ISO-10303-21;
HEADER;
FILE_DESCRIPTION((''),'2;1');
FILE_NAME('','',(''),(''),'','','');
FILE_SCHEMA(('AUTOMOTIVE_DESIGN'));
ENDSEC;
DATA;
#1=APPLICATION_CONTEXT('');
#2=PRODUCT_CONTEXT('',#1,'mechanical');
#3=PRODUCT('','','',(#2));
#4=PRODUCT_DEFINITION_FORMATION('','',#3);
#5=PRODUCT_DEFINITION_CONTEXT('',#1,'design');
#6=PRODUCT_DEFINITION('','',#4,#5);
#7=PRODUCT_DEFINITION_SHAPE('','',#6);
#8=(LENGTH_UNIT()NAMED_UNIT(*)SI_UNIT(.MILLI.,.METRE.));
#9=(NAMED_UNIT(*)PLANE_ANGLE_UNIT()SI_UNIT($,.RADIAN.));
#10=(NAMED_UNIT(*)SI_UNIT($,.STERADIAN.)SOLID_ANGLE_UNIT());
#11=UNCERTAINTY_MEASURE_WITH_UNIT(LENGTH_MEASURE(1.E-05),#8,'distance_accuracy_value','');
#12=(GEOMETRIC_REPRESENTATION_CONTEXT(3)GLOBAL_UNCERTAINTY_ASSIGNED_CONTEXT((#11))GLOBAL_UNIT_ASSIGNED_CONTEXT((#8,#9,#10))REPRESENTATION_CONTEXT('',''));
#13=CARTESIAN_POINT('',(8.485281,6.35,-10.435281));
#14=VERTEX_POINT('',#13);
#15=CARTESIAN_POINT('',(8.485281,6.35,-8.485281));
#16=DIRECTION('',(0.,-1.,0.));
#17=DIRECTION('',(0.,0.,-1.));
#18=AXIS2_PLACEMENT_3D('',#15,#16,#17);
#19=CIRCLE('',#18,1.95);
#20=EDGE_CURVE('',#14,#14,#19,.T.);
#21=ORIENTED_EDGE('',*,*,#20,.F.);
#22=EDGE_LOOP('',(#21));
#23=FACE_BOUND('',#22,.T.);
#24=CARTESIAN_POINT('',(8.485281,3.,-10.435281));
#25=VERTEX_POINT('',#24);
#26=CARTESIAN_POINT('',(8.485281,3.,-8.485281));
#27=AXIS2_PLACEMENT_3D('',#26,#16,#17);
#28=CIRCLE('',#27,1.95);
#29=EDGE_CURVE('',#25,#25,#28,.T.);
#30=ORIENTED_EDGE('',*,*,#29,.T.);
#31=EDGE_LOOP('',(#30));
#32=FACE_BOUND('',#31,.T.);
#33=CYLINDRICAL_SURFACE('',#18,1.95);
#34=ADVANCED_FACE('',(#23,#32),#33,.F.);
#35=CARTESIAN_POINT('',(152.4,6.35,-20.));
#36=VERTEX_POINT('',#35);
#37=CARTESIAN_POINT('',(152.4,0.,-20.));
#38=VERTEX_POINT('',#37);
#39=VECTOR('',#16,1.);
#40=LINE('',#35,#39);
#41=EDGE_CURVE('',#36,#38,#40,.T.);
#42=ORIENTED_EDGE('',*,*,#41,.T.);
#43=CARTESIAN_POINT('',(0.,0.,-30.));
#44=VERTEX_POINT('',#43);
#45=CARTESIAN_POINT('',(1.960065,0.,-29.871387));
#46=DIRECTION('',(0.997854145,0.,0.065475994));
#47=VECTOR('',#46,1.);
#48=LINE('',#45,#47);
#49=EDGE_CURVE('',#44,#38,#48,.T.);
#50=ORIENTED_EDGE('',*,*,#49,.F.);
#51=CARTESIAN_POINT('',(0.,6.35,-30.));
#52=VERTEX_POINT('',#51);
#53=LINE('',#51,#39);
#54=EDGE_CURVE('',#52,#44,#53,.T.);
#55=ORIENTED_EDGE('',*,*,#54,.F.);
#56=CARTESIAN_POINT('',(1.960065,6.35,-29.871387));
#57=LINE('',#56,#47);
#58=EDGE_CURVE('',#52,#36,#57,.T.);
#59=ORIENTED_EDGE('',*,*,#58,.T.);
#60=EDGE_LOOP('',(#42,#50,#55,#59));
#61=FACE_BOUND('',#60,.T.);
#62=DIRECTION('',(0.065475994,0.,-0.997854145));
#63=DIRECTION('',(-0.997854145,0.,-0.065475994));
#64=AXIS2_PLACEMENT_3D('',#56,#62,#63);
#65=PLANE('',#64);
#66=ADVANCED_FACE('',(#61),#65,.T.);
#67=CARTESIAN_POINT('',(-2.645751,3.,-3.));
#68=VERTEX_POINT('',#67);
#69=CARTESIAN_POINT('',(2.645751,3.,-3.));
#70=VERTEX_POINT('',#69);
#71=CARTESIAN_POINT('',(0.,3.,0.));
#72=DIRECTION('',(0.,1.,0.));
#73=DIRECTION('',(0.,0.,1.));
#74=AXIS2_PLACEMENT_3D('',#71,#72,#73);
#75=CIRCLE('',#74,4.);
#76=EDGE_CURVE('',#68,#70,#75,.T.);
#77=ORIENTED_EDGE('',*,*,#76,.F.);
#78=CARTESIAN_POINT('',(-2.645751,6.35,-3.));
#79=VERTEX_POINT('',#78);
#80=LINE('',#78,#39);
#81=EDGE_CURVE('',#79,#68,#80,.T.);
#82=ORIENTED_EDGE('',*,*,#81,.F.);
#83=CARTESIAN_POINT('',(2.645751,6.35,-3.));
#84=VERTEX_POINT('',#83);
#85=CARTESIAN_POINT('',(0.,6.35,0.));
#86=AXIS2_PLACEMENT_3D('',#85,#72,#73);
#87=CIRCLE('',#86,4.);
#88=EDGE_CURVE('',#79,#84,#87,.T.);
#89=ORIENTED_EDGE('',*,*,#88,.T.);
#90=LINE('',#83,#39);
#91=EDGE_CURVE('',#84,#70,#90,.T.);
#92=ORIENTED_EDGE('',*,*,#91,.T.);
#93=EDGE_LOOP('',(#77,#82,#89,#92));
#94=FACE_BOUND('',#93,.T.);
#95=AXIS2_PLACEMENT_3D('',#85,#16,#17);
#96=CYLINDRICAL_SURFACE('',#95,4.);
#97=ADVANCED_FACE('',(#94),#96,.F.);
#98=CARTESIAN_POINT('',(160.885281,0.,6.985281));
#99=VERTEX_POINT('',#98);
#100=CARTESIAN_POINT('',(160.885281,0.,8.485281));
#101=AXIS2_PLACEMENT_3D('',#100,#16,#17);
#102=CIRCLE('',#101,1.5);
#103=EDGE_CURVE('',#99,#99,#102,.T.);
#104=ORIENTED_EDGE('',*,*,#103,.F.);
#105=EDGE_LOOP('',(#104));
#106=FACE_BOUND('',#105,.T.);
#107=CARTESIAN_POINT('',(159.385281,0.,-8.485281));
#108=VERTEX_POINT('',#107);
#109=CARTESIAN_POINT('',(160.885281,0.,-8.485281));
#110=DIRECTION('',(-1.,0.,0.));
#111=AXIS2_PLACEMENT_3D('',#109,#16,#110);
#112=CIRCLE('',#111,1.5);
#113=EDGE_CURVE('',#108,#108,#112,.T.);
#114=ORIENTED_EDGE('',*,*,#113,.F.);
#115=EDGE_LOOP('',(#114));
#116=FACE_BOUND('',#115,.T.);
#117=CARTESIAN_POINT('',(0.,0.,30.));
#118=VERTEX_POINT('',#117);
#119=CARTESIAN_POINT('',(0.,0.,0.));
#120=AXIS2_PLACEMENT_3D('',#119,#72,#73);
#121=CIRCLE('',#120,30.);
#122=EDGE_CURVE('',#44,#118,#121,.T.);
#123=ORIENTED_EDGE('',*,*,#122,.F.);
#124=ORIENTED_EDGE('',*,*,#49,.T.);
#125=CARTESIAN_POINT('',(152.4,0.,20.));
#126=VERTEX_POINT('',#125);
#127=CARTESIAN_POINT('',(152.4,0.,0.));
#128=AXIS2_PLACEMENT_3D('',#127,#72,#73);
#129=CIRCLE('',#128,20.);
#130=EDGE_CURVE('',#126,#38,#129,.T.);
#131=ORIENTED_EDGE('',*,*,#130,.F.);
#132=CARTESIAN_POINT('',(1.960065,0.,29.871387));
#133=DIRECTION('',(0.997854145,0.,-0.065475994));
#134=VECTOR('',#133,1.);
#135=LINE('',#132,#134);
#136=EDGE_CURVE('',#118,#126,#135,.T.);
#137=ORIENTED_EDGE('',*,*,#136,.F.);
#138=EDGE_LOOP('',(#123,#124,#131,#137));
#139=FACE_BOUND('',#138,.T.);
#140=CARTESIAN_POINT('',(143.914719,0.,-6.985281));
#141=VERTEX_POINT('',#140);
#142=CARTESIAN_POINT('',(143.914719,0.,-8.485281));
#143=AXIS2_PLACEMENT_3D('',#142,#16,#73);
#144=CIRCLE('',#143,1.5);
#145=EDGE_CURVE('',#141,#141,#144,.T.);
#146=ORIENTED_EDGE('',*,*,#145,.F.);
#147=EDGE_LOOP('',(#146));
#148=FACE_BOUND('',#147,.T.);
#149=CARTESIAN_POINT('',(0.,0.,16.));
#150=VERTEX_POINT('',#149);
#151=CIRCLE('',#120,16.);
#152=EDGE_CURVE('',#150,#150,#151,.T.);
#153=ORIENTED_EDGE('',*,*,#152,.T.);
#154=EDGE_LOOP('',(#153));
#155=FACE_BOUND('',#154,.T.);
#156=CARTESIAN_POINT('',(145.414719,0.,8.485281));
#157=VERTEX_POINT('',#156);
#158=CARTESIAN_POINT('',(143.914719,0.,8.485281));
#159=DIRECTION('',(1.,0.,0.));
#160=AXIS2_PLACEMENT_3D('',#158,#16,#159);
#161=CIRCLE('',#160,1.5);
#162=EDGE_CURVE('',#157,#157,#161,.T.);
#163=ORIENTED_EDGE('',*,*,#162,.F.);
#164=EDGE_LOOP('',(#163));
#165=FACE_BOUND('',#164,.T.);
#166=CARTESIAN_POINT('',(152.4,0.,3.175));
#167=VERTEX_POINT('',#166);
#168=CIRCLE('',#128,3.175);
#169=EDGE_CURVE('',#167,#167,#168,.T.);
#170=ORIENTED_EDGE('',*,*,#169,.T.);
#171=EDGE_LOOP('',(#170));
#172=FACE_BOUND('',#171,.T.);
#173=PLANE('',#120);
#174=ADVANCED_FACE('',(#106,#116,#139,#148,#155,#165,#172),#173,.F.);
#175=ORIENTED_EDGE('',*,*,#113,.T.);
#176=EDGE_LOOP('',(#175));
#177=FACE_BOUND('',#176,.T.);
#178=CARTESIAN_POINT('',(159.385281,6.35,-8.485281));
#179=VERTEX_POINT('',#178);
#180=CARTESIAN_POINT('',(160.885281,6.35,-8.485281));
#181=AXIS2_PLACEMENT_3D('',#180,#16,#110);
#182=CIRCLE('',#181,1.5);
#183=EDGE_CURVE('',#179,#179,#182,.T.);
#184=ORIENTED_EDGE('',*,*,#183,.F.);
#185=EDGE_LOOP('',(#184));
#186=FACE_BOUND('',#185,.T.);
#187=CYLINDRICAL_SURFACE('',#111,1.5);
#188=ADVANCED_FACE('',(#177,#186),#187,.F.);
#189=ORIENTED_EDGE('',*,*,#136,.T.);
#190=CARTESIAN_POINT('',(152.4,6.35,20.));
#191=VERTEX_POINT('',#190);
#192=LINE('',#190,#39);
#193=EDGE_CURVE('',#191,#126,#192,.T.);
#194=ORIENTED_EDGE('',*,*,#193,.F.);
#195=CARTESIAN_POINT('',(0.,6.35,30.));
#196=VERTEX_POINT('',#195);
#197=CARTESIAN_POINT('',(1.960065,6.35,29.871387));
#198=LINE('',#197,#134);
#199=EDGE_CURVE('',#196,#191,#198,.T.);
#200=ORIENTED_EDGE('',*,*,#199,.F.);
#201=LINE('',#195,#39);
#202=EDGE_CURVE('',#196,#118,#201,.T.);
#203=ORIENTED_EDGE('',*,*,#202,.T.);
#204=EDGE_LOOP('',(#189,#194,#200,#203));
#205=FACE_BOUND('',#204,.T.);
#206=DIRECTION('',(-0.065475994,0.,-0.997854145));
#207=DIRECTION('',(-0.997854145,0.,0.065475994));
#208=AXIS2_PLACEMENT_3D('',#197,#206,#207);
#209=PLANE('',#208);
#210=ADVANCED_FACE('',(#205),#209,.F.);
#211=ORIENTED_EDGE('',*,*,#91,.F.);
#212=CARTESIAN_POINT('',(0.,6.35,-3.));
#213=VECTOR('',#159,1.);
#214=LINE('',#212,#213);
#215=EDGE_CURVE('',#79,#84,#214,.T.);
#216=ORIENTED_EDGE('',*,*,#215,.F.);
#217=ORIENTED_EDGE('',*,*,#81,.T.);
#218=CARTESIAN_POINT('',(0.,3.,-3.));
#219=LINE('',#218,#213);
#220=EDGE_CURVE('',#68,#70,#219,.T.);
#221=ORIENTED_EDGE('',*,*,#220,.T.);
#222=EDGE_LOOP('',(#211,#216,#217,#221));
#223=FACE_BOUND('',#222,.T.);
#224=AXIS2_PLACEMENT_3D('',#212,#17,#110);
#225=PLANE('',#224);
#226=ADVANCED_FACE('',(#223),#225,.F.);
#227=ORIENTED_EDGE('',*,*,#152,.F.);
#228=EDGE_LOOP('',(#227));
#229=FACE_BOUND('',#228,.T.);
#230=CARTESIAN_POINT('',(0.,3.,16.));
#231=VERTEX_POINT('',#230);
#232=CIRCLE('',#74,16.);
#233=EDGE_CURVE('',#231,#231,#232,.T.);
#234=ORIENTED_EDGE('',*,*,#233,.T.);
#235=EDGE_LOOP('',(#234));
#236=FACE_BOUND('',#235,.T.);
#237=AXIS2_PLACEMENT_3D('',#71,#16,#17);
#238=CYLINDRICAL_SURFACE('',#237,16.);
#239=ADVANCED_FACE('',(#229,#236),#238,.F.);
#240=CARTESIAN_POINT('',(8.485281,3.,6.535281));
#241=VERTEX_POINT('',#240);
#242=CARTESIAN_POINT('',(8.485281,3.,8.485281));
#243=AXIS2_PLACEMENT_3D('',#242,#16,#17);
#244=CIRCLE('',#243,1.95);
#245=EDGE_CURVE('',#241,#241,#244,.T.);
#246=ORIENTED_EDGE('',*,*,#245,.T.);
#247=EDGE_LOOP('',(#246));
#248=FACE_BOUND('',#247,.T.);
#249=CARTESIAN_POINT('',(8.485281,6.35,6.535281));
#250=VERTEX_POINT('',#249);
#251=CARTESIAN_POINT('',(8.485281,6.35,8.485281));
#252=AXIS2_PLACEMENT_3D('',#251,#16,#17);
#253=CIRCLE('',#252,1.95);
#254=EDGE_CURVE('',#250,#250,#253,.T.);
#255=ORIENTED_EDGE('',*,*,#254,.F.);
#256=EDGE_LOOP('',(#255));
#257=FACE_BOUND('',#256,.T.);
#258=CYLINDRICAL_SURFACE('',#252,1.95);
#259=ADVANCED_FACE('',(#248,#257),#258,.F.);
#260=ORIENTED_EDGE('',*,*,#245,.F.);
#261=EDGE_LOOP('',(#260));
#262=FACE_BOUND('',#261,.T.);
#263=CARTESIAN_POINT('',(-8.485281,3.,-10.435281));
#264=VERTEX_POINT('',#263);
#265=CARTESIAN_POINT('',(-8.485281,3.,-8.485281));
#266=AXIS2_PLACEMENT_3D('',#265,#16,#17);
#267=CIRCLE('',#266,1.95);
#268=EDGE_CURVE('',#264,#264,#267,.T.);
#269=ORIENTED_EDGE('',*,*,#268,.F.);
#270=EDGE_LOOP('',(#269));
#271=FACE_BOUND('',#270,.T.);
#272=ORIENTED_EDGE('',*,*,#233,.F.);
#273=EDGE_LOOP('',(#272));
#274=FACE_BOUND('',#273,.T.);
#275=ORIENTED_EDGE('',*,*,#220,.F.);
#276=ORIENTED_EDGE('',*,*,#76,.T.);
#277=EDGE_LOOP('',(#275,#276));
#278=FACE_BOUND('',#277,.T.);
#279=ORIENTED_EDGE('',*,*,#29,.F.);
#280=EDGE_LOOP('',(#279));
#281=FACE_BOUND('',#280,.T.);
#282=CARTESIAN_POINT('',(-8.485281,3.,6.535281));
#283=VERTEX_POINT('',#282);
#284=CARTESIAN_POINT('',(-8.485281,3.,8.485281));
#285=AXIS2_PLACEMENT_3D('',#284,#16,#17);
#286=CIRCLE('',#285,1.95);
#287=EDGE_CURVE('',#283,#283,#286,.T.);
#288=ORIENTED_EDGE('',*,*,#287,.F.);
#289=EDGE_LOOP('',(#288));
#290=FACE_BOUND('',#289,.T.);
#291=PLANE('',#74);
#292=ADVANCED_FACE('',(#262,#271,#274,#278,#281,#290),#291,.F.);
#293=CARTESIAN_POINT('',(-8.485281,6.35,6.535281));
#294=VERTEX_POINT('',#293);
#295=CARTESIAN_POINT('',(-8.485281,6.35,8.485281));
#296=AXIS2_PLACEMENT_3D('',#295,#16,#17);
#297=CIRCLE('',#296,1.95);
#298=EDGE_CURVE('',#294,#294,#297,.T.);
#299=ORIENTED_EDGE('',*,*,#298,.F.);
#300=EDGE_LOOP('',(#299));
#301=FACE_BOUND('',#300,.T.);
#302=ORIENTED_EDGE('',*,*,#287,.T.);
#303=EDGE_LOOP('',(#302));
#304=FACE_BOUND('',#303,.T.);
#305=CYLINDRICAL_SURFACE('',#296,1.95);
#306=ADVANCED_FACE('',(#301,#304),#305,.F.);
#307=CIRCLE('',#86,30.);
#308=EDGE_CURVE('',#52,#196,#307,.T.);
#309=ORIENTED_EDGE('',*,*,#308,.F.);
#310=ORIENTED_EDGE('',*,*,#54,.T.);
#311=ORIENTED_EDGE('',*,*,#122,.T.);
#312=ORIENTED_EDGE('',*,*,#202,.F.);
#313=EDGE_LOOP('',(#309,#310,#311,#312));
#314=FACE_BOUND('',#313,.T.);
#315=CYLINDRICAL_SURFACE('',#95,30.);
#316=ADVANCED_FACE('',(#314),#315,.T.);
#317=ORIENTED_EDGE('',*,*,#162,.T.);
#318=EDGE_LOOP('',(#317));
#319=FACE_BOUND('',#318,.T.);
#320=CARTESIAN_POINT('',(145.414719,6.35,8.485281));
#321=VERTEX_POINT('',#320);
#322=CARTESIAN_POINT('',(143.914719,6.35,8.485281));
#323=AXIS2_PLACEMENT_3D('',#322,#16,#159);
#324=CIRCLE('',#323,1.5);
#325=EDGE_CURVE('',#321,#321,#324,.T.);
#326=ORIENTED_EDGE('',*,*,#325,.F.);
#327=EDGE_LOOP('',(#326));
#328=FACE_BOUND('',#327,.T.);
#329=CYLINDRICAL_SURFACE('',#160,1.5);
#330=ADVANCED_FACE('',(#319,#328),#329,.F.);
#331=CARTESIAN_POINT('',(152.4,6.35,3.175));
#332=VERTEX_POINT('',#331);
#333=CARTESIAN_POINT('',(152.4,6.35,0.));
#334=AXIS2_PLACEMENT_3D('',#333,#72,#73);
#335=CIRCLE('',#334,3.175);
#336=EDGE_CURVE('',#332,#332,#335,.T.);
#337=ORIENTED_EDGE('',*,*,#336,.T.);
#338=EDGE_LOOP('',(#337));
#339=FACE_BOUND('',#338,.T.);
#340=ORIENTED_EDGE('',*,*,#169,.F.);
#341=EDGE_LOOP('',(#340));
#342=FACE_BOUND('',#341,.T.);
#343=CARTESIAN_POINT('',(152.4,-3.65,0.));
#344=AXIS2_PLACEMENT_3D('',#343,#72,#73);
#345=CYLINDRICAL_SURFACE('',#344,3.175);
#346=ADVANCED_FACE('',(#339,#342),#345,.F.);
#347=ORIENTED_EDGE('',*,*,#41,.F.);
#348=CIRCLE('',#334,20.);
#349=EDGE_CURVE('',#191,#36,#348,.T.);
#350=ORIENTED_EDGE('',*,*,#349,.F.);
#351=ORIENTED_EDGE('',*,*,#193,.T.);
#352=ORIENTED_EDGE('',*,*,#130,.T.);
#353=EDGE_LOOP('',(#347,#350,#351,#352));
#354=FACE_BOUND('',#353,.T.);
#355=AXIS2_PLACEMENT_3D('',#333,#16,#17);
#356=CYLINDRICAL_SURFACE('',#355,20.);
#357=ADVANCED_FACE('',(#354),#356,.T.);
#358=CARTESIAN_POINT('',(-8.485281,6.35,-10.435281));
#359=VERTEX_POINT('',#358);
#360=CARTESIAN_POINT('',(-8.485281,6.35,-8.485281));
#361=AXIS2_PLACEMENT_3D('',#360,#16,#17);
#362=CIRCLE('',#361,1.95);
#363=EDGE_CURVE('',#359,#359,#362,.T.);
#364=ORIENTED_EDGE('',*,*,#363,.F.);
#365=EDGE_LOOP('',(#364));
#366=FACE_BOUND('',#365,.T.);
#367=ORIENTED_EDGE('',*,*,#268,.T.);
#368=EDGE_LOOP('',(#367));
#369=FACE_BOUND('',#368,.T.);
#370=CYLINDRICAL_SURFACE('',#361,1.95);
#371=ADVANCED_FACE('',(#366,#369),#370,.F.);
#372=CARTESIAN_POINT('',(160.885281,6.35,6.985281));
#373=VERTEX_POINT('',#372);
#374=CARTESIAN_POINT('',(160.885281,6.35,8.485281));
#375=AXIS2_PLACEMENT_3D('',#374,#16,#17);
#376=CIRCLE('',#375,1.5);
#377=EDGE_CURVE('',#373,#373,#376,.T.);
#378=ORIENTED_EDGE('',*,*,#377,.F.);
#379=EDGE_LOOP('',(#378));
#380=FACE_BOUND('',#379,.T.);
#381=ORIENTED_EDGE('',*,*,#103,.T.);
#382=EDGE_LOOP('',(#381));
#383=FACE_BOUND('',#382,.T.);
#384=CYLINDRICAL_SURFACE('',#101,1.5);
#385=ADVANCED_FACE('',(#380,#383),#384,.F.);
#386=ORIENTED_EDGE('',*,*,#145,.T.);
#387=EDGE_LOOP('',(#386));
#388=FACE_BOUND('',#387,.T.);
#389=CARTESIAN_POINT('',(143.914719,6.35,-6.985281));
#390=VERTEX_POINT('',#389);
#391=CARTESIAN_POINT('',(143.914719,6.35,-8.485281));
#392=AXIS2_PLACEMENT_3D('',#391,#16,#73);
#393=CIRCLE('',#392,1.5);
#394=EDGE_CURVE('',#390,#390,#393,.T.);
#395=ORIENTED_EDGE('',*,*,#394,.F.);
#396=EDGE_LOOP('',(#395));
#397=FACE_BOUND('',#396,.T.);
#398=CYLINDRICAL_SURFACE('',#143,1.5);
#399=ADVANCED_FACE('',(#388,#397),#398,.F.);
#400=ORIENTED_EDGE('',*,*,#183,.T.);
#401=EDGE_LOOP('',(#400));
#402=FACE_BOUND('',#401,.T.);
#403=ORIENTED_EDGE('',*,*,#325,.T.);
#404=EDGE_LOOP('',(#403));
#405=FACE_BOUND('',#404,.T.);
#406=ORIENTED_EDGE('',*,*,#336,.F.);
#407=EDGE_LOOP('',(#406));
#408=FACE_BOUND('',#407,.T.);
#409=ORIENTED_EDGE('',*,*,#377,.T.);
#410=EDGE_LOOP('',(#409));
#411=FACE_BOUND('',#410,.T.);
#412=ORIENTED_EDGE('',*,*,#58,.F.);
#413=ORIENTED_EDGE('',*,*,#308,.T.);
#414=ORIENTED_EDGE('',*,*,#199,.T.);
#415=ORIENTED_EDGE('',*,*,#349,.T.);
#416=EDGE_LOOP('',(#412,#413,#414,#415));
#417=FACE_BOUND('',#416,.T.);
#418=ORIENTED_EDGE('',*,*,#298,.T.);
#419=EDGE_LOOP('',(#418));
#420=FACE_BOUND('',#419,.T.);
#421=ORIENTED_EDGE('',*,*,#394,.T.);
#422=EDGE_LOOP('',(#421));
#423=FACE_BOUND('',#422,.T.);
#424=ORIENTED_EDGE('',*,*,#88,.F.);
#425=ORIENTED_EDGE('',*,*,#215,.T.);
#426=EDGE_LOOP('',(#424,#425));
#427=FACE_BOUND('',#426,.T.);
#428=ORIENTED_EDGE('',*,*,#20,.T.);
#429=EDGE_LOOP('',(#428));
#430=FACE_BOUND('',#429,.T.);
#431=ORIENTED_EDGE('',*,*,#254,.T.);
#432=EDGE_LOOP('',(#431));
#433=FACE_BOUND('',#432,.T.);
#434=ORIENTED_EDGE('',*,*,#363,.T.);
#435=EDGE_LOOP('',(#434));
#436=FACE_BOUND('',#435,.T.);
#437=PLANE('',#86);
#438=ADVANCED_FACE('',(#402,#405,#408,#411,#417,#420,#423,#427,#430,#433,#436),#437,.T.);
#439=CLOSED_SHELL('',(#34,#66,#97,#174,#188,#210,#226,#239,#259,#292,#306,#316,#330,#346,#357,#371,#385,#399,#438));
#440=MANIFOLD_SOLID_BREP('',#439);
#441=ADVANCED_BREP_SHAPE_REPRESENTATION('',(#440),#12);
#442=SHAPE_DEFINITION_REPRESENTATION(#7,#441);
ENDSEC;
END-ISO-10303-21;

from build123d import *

# Parameters (mm, degrees)
SKETCH2_R             = 20
BOSS_EXTRUDE1_DEPTH   = 6.35
SKETCH11_R            = 3.175
CUT_EXTRUDE1_DEPTH    = 10
CUT_EXTRUDE2_START    = -6.35
SKETCH12_R            = 16
CUT_EXTRUDE2_DEPTH    = 3
SKETCH13_R            = 1.95
CUT_EXTRUDE3_DEPTH    = 176.022805657
F_3_0MM_DOWEL_HOLE1_D = 3
CIRPATTERN1_COUNT     = 4


with BuildPart() as part:
    # Sketch2 → Boss-Extrude1 (new body)
    # profile 1 of 3: a face of its own
    with BuildSketch(Plane(origin=(0, 0, 0), x_dir=(1, 0, 0), z_dir=(0, 1, 0))):
        with BuildLine():
            Line((152.4, 20), (3.920129505, 29.742773655))
            ThreePointArc((3.920129505, 29.742773655), (22.556638548, 19.778727397), (30, 0))
            ThreePointArc((30, 0), (22.556638548, -19.778727397), (3.920129505, -29.742773655))
            Line((3.920129505, -29.742773655), (152.4, -20))
            ThreePointArc((152.4, -20), (132.4, 0), (152.4, 20))
        make_face()
    # profile 2 of 3: a face of its own
    with BuildSketch(Plane(origin=(0, 0, 0), x_dir=(1, 0, 0), z_dir=(0, 1, 0))):
        with BuildLine():
            Line((3.920129505, 29.742773655), (0, 30))
            ThreePointArc((0, 30), (-30, 0), (0, -30))
            Line((0, -30), (3.920129505, -29.742773655))
            ThreePointArc((3.920129505, -29.742773655), (22.556638548, -19.778727397), (30, 0))
            ThreePointArc((30, 0), (22.556638548, 19.778727397), (3.920129505, 29.742773655))
        make_face()
        with BuildLine():
            ThreePointArc((2.645751311, 3), (0, -4), (-2.645751311, 3))
            Line((-2.645751311, 3), (2.645751311, 3))
        make_face(mode=Mode.SUBTRACT)
    # profile 3 of 3: a face of its own
    with BuildSketch(Plane(origin=(0, 0, 0), x_dir=(1, 0, 0), z_dir=(0, 1, 0))):
        with Locations((152.4, 0)):
            Circle(SKETCH2_R)
    extrude(amount=BOSS_EXTRUDE1_DEPTH)

    # Sketch11 → Cut-Extrude1 (cut)
    with BuildSketch(Plane(origin=(0, 6.35, 0), x_dir=(1, 0, 0), z_dir=(0, 1, 0))):
        with Locations(Location((152.4, 0, 0), (0, 0, 270))):
            Circle(SKETCH11_R)
    extrude(amount=-CUT_EXTRUDE1_DEPTH, mode=Mode.SUBTRACT)

    # Sketch12 → Cut-Extrude2 (cut)
    with BuildSketch(Plane(origin=(0, 6.35, 0), x_dir=(1, 0, 0), z_dir=(0, 1, 0)).offset(CUT_EXTRUDE2_START)):
        with Locations(Location((0, 0, 0), (0, 0, 270))):
            Circle(SKETCH12_R)
    extrude(amount=CUT_EXTRUDE2_DEPTH, mode=Mode.SUBTRACT)

    # Sketch13 → Cut-Extrude3 (cut, through all)
    with BuildSketch(Plane(origin=(0, 3, 0), x_dir=(-1, 0, 0), z_dir=(0, -1, 0))):
        with Locations(Location((-8.485281374, 8.485281374, 0), (0, 0, 90))):
            Circle(SKETCH13_R)
        with Locations(Location((8.485281374, 8.485281374, 0), (0, 0, 90))):
            Circle(SKETCH13_R)
        with Locations(Location((8.485281374, -8.485281374, 0), (0, 0, 90))):
            Circle(SKETCH13_R)
        with Locations(Location((-8.485281374, -8.485281374, 0), (0, 0, 90))):
            Circle(SKETCH13_R)
    extrude(amount=-CUT_EXTRUDE3_DEPTH, mode=Mode.SUBTRACT)

    # Ø3.0mm Dowel Hole1 (through all)
    with Locations(Plane(origin=(0, 0, 0), x_dir=(-1, 0, 0), z_dir=(0, -1, 0))):
        with Locations((-160.885281374, -8.485281374)):
            f_3_0mm_dowel_hole1 = Hole(F_3_0MM_DOWEL_HOLE1_D / 2)

    # CirPattern1: Ø3.0mm Dowel Hole1 ×4 about axis
    cirpattern1_axis = Axis((152.4, 0, 0), (0, 1, 0))
    for i in range(1, CIRPATTERN1_COUNT):
        add(f_3_0mm_dowel_hole1.rotate(cirpattern1_axis, i * 360 / CIRPATTERN1_COUNT), mode=Mode.SUBTRACT)


solid = part.part
